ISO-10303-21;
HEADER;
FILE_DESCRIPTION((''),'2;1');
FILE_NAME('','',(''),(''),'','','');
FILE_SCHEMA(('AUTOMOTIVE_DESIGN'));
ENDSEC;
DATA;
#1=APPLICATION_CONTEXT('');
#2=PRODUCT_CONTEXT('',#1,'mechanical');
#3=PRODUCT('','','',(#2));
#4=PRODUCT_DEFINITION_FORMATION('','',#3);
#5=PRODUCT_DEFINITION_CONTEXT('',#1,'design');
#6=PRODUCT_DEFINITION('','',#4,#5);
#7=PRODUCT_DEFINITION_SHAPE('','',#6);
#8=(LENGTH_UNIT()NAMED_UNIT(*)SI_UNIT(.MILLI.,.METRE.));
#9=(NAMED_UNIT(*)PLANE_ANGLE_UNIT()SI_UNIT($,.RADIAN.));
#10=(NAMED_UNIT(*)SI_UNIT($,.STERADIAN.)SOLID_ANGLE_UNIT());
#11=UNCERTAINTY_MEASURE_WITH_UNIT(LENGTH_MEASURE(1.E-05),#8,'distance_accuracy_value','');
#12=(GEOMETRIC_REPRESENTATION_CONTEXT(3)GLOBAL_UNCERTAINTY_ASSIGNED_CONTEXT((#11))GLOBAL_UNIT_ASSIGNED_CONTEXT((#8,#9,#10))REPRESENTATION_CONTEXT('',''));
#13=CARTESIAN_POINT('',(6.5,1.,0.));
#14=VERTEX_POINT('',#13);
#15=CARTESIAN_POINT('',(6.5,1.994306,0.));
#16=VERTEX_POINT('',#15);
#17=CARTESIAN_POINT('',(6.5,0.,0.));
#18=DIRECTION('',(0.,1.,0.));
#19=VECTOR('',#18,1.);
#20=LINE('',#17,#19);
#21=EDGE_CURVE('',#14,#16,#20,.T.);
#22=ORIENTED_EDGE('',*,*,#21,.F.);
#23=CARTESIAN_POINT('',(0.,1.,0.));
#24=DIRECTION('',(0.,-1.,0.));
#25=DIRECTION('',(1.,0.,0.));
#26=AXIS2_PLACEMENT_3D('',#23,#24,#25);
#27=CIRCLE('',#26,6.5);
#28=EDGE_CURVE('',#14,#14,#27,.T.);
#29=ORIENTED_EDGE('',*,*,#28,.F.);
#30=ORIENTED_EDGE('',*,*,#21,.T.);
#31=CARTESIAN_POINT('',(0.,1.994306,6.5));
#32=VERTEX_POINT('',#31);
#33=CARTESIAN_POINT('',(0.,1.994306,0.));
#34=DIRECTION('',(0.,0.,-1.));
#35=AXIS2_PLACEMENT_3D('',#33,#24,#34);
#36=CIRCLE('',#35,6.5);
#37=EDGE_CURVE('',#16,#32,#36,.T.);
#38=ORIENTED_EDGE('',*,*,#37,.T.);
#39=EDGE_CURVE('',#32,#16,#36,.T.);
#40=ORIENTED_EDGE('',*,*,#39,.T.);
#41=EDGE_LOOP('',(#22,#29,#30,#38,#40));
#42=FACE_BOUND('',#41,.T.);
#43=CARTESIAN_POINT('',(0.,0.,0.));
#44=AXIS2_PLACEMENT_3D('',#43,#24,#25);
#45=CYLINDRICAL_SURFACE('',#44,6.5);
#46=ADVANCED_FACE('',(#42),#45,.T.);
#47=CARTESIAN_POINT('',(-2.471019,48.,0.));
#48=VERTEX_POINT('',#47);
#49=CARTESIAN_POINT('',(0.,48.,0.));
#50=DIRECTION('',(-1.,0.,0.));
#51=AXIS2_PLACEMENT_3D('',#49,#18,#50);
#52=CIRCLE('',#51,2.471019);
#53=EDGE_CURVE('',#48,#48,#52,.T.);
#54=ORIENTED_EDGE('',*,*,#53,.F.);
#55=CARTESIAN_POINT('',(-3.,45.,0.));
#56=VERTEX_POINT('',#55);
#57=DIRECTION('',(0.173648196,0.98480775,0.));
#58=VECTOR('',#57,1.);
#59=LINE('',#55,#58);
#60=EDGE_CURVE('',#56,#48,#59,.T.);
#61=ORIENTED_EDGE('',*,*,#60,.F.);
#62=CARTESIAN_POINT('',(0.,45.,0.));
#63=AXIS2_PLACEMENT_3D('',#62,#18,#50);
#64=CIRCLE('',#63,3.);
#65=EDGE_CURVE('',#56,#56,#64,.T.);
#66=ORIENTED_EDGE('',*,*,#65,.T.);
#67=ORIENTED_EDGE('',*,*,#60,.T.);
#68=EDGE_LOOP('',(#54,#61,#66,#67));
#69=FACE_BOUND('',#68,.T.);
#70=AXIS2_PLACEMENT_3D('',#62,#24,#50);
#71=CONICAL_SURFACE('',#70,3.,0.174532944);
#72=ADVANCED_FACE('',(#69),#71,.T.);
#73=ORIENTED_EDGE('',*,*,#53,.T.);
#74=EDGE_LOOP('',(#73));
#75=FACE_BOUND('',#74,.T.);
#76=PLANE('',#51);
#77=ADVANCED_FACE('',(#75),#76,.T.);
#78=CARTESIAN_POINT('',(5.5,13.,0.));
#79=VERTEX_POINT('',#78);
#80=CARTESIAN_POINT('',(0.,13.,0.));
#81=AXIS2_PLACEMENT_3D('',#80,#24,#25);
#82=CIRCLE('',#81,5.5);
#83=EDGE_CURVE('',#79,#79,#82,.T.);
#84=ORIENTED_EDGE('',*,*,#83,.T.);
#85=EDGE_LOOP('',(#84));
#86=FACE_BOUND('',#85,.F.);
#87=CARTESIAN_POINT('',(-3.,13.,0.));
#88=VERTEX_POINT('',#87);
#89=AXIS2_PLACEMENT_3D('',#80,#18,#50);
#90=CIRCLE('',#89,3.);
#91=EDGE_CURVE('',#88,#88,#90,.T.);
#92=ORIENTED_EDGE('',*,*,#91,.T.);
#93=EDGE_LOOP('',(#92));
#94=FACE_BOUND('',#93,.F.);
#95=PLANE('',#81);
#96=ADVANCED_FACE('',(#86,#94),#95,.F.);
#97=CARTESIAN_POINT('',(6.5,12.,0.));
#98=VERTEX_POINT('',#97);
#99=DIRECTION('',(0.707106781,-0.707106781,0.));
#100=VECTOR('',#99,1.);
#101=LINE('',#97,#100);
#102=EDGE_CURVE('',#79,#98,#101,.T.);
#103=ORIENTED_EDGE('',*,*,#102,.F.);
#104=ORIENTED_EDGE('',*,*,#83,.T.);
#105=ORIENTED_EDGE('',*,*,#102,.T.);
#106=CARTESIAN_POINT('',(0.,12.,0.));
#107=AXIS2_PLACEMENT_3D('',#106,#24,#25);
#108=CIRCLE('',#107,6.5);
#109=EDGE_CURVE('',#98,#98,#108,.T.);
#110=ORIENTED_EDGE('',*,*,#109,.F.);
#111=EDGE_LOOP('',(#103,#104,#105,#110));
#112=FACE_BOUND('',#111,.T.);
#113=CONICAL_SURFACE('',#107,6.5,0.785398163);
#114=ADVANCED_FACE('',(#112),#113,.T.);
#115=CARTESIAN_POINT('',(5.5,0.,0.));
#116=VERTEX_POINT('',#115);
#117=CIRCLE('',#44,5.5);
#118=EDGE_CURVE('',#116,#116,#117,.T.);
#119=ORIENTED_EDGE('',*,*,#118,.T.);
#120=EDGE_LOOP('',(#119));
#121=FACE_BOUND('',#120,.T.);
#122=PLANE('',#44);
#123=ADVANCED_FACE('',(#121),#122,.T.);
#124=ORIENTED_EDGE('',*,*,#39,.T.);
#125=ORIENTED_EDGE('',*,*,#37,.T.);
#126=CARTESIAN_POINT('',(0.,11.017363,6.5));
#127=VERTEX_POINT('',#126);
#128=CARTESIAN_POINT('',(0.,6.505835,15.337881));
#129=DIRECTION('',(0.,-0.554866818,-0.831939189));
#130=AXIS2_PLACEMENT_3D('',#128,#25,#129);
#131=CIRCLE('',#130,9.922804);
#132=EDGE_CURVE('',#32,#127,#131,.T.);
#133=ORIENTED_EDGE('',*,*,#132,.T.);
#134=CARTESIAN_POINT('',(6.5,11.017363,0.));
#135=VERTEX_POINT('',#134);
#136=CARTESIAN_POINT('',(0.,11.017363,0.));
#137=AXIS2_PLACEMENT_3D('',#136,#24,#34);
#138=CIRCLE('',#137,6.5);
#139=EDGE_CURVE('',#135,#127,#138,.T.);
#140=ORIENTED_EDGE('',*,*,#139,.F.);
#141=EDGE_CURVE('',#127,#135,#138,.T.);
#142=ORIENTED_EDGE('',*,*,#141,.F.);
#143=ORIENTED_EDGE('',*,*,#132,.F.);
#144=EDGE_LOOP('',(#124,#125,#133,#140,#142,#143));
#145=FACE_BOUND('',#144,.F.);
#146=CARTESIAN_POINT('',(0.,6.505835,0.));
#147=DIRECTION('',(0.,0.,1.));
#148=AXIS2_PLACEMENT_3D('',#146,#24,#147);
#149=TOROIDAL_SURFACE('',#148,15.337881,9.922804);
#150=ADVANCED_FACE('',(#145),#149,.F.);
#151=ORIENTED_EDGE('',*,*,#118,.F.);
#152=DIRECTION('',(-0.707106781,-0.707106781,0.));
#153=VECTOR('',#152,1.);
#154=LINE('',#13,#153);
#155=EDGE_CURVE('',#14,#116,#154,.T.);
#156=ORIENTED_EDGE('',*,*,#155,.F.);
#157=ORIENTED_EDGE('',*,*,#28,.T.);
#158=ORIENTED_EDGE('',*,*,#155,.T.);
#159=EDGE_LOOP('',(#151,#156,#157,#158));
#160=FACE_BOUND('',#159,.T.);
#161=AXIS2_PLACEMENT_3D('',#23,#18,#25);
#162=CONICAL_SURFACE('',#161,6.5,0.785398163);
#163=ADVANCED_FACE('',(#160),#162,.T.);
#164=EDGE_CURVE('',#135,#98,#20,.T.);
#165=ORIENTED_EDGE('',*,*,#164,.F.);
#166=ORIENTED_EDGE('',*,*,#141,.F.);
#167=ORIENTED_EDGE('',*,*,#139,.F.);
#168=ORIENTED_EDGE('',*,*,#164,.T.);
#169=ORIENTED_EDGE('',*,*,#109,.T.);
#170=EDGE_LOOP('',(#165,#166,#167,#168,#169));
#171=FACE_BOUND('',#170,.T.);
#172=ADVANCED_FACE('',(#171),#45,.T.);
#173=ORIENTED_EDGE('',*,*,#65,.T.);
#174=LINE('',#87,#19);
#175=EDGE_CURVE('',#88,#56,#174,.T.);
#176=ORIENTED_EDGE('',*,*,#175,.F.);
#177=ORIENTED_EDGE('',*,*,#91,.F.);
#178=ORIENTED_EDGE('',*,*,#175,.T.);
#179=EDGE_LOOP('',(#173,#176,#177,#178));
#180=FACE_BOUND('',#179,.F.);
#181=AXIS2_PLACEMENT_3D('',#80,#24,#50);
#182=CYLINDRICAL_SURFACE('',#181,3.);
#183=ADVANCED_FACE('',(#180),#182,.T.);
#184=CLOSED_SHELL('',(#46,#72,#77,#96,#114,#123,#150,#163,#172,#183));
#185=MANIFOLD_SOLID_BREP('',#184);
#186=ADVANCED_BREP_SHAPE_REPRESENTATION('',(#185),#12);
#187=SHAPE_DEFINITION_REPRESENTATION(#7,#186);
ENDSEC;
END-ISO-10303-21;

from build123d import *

# Parameters (mm, degrees)
F0_R     = 6.5
F1_DEPTH = 13
F2_R     = 3
F3_DEPTH = 35
F4_SIZE2 = 0.528981
F4_SIZE  = 3
F5_SIZE  = 1


with BuildPart() as f1:
    # F0 (on Front) → F1 (new body)
    with BuildSketch(Plane.XZ):
        Circle(F0_R)
    extrude(amount=-F1_DEPTH)

    # F2 (on face) → F3 (join)
    with BuildSketch(Plane(origin=(0, 13, 0), x_dir=(-1, 0, 0), z_dir=(0, 1, 0))):
        Circle(F2_R)
    extrude(amount=F3_DEPTH)

    # F4
    f4_edges = [f1.edges().sort_by_distance(p)[0] for p in [
        (3, 48, 0),
    ]]
    chamfer(f4_edges, length=F4_SIZE, length2=F4_SIZE2)

    # F5
    f5_edges = [f1.edges().sort_by_distance(p)[0] for p in [
        (-6.5, 13, 0),
        (-6.5, 0, 0),
    ]]
    chamfer(f5_edges, length=F5_SIZE)

    # F6 (on Right) → F7 (revolve, cut)
    with BuildSketch(Plane.YZ):
        with BuildLine():
            Line((12, 7.074941), (1, 7.082712))
            ThreePointArc((1, 7.082712), (6.498825, 5.41508), (12, 7.074941))
        make_face()
    revolve(axis=Axis((0, 13, 0), (0, -1, 0)), mode=Mode.SUBTRACT)


solid = f1.part
